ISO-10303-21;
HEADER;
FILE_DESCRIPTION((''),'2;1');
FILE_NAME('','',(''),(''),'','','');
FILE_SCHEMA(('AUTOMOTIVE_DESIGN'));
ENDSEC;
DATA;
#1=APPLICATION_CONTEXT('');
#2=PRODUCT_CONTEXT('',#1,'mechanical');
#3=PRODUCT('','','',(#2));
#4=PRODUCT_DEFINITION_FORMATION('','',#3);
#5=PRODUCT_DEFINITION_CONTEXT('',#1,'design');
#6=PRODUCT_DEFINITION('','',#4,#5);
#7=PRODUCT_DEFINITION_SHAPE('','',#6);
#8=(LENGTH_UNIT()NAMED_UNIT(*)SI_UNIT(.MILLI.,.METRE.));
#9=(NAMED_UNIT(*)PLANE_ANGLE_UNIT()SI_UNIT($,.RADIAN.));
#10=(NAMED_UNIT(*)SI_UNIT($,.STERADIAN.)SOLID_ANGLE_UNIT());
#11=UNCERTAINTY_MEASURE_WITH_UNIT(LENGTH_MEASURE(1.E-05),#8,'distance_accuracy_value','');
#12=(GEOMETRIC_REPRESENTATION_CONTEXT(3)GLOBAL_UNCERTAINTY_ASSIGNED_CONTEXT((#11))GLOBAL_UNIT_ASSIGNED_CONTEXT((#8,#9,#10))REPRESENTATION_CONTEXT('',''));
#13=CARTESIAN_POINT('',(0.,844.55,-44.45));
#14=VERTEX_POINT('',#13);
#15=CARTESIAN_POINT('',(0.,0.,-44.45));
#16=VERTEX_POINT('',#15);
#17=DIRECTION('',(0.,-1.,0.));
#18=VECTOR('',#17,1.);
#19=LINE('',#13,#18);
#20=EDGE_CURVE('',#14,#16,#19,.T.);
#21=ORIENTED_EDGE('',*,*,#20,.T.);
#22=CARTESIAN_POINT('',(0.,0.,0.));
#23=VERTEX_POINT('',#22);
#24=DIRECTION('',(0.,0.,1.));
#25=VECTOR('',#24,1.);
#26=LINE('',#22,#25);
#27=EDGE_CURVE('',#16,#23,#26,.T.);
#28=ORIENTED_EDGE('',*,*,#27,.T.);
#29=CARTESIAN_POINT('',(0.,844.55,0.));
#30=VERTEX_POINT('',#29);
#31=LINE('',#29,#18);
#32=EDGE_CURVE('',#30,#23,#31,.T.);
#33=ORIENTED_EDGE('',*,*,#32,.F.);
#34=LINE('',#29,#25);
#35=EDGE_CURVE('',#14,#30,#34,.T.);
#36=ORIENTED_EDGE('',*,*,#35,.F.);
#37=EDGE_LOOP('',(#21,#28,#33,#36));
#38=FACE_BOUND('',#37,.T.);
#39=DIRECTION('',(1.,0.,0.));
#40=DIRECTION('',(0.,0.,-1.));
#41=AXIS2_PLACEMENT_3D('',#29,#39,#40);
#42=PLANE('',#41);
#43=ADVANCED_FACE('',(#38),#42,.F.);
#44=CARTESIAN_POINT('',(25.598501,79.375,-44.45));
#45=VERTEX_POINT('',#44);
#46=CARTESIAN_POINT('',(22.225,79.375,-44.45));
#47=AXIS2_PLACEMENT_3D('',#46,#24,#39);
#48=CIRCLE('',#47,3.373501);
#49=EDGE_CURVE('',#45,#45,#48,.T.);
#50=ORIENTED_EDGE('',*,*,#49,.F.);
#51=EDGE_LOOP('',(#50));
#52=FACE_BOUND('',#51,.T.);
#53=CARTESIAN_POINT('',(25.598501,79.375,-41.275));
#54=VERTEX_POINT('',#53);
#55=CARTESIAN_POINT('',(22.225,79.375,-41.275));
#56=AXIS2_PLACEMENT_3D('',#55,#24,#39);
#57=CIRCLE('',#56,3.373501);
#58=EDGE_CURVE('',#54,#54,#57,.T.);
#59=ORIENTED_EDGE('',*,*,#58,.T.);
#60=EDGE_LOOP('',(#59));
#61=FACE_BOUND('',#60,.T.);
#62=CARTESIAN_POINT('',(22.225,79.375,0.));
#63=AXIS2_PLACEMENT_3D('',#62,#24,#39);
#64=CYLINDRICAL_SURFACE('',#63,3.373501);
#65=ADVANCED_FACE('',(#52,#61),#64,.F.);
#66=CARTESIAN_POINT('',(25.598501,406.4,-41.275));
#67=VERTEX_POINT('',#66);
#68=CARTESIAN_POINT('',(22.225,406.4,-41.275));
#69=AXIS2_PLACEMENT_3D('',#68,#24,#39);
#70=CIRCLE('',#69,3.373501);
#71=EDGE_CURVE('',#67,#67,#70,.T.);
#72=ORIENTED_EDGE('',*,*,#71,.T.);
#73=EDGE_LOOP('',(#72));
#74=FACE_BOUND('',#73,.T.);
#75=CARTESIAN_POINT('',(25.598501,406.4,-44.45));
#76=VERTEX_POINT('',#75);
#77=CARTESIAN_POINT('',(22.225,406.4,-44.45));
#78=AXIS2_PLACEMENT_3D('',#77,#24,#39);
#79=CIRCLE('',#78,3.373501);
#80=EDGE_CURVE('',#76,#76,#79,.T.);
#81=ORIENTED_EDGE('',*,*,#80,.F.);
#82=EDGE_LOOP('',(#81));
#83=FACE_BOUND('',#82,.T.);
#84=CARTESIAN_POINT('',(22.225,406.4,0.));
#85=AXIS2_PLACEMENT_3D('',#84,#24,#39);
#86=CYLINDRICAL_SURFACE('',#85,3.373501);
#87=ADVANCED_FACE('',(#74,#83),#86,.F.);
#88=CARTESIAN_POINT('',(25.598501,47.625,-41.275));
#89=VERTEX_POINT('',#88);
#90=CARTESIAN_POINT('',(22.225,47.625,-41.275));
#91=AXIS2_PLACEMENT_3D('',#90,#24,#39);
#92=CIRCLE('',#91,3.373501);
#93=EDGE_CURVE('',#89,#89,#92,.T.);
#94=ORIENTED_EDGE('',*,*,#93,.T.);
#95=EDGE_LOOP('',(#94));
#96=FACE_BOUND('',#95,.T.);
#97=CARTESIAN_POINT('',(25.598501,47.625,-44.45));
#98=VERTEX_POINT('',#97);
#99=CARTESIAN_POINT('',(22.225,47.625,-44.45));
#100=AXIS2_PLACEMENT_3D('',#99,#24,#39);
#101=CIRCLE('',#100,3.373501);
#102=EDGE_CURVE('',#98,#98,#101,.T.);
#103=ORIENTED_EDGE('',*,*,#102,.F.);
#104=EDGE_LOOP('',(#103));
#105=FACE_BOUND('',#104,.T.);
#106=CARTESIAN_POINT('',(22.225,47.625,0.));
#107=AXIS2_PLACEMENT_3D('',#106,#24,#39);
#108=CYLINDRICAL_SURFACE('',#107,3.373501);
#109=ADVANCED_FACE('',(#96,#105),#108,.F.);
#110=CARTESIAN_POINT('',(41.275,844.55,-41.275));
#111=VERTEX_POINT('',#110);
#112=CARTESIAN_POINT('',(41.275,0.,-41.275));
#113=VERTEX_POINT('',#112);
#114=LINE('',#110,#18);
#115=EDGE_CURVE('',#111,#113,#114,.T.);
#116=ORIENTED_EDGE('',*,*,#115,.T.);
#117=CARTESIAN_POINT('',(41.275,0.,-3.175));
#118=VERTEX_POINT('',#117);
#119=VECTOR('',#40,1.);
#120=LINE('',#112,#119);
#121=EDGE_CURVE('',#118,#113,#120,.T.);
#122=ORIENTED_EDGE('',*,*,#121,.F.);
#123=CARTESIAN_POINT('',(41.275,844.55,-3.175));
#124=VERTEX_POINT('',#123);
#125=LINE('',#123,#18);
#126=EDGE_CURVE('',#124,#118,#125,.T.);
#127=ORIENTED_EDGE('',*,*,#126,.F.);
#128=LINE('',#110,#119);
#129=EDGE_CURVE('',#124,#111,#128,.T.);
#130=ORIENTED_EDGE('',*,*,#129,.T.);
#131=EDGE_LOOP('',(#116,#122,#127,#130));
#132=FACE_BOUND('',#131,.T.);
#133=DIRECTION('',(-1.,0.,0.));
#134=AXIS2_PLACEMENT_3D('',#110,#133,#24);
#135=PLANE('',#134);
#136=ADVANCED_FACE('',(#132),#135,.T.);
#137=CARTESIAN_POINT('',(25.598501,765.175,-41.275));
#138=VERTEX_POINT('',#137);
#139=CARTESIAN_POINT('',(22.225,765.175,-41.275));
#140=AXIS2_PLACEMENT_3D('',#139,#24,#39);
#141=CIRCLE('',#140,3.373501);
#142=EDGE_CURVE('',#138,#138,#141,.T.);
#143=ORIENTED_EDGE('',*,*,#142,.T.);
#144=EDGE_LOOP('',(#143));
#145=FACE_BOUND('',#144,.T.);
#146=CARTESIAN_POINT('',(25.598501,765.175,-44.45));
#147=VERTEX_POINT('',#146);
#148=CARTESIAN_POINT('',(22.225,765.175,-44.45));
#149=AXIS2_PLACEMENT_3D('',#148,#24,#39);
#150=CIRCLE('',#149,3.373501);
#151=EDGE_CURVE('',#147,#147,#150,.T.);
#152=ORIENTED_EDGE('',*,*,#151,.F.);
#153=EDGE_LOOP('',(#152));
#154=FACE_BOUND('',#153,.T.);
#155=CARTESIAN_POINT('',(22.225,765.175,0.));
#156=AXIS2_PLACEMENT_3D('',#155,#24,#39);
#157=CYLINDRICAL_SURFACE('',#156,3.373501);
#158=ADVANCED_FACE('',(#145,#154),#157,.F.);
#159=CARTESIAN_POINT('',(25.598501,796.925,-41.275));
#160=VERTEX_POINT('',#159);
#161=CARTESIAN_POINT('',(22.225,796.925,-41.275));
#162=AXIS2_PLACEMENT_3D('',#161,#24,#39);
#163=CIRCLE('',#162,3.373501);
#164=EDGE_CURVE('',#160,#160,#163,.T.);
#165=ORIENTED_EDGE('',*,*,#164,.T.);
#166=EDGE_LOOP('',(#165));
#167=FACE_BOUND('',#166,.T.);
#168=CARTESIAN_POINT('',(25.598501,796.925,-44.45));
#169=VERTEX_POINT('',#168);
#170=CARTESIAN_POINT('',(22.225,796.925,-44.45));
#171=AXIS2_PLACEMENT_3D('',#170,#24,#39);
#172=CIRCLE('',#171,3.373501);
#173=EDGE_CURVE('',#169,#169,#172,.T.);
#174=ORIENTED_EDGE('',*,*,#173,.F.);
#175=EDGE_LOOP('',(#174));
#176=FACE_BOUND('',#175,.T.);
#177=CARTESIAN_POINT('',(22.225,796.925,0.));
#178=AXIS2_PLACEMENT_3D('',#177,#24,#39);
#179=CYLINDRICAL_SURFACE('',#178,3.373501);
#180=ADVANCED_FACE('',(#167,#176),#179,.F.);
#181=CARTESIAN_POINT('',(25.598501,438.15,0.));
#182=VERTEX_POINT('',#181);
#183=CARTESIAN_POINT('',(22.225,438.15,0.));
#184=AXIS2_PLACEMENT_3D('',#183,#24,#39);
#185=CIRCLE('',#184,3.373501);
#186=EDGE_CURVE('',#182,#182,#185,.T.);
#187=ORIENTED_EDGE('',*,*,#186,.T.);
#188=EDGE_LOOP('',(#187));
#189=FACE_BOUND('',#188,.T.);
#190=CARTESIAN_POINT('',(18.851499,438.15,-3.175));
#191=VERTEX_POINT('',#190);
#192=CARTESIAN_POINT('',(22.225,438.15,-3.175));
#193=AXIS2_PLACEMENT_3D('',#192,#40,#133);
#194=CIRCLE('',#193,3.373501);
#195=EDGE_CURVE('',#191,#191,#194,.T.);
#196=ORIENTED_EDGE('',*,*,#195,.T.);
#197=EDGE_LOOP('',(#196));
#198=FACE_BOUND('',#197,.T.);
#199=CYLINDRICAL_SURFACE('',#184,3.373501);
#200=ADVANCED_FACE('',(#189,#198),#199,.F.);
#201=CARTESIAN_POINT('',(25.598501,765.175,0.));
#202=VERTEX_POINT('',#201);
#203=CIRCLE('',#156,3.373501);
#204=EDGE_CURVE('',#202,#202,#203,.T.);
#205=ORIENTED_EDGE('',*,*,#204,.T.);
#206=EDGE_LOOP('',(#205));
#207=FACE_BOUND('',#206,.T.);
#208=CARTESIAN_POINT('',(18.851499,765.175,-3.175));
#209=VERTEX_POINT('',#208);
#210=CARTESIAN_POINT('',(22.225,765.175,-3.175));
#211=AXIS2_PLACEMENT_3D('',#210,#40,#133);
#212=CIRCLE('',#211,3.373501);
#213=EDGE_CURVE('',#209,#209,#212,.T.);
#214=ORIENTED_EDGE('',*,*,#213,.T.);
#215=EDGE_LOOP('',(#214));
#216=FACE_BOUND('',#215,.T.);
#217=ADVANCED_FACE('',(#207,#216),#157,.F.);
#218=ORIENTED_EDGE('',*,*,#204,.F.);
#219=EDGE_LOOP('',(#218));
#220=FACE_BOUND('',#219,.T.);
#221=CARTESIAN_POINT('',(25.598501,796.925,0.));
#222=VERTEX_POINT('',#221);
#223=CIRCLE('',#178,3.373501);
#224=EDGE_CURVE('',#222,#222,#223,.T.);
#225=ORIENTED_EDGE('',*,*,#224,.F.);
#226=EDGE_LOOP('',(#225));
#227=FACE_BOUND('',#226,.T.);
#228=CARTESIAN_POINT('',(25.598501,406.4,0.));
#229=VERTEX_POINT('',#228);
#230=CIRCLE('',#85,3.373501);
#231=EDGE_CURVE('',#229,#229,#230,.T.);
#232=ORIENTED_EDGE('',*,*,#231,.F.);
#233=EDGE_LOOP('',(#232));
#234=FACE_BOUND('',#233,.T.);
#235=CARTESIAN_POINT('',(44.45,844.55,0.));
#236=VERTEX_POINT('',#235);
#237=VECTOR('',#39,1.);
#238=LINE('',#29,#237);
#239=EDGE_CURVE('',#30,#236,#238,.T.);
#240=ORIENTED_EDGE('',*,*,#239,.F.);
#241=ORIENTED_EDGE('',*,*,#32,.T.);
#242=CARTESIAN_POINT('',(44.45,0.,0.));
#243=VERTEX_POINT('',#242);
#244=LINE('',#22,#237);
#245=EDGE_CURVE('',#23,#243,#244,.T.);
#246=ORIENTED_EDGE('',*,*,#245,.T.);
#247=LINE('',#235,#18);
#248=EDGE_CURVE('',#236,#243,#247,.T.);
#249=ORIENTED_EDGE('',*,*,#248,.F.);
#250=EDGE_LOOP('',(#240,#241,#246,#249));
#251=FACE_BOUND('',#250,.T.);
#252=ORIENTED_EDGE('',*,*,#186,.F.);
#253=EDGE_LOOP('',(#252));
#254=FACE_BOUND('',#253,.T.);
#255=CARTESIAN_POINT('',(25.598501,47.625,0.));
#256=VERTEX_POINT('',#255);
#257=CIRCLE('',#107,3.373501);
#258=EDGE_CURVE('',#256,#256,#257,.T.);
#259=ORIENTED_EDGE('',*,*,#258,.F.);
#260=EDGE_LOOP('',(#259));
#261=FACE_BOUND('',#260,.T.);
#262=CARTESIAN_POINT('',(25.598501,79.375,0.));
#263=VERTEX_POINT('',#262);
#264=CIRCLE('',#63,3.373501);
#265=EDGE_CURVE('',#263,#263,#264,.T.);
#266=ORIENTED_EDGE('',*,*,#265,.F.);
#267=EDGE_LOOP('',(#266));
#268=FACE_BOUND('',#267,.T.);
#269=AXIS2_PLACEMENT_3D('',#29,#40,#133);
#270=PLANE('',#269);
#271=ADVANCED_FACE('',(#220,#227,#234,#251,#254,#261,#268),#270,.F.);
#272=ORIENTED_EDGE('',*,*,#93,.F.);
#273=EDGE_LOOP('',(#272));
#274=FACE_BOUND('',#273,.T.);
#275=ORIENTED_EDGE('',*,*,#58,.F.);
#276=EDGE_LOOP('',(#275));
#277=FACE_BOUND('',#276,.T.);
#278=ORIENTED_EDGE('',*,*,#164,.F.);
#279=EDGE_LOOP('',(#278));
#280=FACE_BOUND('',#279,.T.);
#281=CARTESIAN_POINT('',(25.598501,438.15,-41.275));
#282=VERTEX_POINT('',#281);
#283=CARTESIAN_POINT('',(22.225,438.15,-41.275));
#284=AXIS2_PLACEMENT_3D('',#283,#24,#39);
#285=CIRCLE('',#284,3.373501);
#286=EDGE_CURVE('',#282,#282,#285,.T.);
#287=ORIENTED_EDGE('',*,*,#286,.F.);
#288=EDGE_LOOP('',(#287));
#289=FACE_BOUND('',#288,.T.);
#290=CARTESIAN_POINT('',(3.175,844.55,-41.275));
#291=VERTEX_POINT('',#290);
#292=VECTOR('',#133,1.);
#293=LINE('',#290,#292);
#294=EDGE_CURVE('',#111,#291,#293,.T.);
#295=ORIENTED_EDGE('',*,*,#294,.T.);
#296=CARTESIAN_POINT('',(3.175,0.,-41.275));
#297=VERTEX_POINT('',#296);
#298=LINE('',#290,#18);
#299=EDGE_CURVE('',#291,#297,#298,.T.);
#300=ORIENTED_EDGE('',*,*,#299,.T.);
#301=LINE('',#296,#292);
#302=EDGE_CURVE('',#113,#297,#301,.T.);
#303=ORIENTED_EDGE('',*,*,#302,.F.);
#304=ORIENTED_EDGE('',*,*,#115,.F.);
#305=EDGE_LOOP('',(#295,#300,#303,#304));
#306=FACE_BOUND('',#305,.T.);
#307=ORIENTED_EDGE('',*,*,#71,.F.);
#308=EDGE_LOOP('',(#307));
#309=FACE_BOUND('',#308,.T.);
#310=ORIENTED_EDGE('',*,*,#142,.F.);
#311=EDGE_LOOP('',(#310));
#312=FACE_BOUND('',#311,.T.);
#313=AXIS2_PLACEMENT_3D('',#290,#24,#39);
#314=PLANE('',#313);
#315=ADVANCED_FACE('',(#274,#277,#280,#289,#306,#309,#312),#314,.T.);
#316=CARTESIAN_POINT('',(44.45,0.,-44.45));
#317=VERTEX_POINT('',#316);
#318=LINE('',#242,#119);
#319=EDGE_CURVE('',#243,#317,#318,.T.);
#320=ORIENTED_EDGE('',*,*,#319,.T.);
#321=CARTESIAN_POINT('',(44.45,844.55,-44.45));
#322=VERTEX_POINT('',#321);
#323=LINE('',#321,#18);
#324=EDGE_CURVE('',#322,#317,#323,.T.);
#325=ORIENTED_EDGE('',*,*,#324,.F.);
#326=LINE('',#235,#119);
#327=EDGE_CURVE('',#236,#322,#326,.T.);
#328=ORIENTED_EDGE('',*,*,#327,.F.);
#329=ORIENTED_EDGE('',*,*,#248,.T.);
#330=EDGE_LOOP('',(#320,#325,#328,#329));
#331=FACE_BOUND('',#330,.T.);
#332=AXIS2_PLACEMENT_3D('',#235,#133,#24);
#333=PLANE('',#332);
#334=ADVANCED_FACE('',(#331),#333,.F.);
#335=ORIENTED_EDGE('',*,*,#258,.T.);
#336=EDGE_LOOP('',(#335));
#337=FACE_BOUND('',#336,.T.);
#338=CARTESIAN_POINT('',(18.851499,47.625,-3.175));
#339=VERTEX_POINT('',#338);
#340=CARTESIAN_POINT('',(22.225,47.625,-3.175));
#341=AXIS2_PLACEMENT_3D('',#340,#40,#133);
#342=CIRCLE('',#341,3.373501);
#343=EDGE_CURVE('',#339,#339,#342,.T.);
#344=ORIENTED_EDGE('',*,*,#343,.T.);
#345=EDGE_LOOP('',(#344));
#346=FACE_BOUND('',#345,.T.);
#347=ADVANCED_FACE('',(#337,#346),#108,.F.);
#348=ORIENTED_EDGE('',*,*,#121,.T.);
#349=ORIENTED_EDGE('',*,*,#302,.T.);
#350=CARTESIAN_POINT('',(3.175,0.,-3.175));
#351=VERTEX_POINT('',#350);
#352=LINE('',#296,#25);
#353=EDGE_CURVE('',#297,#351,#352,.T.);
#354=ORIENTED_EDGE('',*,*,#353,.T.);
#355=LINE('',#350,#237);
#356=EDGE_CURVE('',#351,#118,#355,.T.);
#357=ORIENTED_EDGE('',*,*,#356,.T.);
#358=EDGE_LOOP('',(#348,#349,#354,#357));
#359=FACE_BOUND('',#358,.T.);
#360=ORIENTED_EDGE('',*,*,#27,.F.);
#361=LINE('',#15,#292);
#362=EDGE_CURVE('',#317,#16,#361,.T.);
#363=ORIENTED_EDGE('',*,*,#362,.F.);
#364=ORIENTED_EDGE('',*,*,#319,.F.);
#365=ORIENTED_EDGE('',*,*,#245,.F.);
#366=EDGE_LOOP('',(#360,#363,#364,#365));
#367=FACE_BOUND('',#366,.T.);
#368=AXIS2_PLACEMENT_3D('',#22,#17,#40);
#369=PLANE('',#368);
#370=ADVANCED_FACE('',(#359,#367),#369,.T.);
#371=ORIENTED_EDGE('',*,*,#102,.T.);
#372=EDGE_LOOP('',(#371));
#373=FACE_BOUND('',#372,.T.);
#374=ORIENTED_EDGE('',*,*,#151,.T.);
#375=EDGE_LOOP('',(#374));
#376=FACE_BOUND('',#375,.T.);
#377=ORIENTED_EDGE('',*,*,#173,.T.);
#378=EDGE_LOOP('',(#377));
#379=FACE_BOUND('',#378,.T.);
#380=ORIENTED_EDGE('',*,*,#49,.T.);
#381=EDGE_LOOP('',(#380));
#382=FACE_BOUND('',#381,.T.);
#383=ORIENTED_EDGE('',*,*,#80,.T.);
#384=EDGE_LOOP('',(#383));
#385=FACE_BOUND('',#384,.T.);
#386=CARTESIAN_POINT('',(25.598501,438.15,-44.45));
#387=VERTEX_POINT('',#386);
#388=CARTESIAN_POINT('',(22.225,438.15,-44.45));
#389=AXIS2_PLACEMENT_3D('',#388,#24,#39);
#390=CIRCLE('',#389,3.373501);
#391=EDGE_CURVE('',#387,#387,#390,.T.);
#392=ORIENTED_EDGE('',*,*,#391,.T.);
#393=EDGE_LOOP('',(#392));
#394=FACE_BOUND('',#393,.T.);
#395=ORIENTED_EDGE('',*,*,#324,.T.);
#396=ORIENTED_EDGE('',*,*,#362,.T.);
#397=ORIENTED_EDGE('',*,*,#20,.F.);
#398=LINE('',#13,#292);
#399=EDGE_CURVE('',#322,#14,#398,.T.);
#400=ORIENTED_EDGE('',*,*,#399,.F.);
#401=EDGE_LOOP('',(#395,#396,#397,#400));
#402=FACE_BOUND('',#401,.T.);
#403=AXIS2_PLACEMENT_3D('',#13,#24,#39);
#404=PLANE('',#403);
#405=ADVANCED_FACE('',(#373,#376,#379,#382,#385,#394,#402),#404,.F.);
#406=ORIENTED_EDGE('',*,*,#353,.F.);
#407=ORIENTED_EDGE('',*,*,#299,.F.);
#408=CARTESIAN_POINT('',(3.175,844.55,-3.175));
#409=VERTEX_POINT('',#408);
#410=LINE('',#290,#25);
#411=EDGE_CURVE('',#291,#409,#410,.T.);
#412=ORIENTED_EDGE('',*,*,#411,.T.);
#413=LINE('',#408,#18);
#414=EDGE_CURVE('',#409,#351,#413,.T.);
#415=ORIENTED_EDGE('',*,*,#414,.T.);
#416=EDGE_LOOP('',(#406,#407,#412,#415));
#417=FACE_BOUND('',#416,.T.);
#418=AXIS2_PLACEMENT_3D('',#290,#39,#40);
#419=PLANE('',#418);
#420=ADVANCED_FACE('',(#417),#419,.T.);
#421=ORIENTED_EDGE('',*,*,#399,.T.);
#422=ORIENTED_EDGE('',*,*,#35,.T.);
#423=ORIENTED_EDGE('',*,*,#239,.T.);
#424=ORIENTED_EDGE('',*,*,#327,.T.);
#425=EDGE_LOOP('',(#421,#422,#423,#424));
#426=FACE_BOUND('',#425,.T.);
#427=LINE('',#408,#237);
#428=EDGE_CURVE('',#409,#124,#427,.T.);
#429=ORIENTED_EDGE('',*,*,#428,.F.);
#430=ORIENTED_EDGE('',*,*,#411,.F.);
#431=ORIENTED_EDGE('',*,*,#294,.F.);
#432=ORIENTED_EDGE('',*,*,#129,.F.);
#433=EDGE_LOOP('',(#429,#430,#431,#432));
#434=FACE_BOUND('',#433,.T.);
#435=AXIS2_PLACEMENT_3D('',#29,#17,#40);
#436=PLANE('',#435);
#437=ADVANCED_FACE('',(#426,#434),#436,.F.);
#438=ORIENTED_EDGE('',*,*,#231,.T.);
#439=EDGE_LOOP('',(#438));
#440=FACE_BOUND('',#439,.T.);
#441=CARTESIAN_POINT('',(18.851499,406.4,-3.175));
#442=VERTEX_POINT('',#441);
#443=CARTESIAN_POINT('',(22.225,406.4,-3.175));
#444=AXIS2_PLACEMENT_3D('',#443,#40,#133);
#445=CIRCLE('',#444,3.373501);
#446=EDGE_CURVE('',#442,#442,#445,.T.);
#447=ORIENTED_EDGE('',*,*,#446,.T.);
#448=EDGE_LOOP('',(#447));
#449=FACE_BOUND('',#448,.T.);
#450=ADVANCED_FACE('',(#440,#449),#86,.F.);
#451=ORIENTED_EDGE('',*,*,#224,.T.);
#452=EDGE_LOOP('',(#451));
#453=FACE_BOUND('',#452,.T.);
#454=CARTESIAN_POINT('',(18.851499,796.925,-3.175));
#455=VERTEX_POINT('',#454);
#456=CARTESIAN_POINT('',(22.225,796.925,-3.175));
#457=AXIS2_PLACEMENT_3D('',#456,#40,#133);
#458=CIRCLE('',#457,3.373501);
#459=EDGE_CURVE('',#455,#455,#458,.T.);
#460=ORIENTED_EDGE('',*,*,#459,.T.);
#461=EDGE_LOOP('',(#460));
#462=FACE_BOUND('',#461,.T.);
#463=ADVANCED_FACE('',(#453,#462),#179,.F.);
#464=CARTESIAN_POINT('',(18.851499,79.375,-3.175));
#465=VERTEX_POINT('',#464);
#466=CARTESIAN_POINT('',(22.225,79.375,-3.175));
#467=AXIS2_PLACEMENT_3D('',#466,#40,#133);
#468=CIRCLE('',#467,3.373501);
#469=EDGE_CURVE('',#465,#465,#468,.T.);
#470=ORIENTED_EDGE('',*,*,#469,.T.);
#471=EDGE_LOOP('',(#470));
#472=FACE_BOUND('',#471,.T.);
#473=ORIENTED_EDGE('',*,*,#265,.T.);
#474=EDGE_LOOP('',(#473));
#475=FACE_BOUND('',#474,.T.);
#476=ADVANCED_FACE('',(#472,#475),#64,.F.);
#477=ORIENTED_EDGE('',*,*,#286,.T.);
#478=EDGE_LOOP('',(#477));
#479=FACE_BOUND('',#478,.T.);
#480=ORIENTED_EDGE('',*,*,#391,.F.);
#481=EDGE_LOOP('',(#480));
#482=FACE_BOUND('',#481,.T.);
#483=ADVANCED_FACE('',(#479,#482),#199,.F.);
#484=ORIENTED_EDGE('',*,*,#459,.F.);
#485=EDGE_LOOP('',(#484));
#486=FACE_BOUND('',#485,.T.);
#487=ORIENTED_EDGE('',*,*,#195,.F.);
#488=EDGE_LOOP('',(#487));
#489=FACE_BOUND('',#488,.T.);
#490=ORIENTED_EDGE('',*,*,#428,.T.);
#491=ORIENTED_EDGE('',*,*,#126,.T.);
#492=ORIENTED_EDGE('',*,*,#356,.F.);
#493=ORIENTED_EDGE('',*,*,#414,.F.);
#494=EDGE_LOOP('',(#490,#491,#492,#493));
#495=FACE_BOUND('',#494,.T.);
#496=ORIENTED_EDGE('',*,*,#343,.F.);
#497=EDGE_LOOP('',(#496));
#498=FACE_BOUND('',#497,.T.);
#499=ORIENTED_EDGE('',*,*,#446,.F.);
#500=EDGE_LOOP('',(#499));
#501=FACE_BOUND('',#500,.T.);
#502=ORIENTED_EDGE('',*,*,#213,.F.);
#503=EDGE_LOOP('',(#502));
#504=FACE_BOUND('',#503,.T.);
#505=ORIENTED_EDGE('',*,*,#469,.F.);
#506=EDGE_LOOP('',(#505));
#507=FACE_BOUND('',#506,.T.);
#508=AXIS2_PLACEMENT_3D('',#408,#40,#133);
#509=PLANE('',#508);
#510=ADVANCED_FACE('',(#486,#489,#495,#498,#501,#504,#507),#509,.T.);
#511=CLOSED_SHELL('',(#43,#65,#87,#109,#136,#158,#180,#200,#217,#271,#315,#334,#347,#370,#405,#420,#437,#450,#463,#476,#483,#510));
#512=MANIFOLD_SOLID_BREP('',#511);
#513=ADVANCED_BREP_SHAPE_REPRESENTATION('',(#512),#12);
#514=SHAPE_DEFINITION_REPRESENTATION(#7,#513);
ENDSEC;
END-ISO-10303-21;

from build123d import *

# Parameters (mm, degrees)
SKETCH1_W                        = 44.45
SKETCH1_H                        = 44.45
SKETCH1_W_2                      = 38.1
SKETCH1_H_2                      = 38.1
BOSS_EXTRUDE1_DEPTH              = 844.55
F_17_64_0_26563_DIAMETER_HOLE1_D = 6.747002


with BuildPart() as part:
    # Sketch1 → Boss-Extrude1 (new body)
    with BuildSketch(Plane(origin=(0, 0, 0), x_dir=(1, 0, 0), z_dir=(0, 1, 0))):
        with Locations((22.225, 22.225)):
            Rectangle(SKETCH1_W, SKETCH1_H)
        with Locations((22.225, 22.225)):
            Rectangle(SKETCH1_W_2, SKETCH1_H_2, mode=Mode.SUBTRACT)
    extrude(amount=BOSS_EXTRUDE1_DEPTH)

    # 17/64 (0.26563) Diameter Hole1 (through all)
    with Locations(Plane.XY):
        with Locations((22.225, 796.925), (22.225, 765.175), (22.225, 438.15), (22.225, 406.4), (22.225, 79.375), (22.225, 47.625)):
            Hole(F_17_64_0_26563_DIAMETER_HOLE1_D / 2)


solid = part.part
